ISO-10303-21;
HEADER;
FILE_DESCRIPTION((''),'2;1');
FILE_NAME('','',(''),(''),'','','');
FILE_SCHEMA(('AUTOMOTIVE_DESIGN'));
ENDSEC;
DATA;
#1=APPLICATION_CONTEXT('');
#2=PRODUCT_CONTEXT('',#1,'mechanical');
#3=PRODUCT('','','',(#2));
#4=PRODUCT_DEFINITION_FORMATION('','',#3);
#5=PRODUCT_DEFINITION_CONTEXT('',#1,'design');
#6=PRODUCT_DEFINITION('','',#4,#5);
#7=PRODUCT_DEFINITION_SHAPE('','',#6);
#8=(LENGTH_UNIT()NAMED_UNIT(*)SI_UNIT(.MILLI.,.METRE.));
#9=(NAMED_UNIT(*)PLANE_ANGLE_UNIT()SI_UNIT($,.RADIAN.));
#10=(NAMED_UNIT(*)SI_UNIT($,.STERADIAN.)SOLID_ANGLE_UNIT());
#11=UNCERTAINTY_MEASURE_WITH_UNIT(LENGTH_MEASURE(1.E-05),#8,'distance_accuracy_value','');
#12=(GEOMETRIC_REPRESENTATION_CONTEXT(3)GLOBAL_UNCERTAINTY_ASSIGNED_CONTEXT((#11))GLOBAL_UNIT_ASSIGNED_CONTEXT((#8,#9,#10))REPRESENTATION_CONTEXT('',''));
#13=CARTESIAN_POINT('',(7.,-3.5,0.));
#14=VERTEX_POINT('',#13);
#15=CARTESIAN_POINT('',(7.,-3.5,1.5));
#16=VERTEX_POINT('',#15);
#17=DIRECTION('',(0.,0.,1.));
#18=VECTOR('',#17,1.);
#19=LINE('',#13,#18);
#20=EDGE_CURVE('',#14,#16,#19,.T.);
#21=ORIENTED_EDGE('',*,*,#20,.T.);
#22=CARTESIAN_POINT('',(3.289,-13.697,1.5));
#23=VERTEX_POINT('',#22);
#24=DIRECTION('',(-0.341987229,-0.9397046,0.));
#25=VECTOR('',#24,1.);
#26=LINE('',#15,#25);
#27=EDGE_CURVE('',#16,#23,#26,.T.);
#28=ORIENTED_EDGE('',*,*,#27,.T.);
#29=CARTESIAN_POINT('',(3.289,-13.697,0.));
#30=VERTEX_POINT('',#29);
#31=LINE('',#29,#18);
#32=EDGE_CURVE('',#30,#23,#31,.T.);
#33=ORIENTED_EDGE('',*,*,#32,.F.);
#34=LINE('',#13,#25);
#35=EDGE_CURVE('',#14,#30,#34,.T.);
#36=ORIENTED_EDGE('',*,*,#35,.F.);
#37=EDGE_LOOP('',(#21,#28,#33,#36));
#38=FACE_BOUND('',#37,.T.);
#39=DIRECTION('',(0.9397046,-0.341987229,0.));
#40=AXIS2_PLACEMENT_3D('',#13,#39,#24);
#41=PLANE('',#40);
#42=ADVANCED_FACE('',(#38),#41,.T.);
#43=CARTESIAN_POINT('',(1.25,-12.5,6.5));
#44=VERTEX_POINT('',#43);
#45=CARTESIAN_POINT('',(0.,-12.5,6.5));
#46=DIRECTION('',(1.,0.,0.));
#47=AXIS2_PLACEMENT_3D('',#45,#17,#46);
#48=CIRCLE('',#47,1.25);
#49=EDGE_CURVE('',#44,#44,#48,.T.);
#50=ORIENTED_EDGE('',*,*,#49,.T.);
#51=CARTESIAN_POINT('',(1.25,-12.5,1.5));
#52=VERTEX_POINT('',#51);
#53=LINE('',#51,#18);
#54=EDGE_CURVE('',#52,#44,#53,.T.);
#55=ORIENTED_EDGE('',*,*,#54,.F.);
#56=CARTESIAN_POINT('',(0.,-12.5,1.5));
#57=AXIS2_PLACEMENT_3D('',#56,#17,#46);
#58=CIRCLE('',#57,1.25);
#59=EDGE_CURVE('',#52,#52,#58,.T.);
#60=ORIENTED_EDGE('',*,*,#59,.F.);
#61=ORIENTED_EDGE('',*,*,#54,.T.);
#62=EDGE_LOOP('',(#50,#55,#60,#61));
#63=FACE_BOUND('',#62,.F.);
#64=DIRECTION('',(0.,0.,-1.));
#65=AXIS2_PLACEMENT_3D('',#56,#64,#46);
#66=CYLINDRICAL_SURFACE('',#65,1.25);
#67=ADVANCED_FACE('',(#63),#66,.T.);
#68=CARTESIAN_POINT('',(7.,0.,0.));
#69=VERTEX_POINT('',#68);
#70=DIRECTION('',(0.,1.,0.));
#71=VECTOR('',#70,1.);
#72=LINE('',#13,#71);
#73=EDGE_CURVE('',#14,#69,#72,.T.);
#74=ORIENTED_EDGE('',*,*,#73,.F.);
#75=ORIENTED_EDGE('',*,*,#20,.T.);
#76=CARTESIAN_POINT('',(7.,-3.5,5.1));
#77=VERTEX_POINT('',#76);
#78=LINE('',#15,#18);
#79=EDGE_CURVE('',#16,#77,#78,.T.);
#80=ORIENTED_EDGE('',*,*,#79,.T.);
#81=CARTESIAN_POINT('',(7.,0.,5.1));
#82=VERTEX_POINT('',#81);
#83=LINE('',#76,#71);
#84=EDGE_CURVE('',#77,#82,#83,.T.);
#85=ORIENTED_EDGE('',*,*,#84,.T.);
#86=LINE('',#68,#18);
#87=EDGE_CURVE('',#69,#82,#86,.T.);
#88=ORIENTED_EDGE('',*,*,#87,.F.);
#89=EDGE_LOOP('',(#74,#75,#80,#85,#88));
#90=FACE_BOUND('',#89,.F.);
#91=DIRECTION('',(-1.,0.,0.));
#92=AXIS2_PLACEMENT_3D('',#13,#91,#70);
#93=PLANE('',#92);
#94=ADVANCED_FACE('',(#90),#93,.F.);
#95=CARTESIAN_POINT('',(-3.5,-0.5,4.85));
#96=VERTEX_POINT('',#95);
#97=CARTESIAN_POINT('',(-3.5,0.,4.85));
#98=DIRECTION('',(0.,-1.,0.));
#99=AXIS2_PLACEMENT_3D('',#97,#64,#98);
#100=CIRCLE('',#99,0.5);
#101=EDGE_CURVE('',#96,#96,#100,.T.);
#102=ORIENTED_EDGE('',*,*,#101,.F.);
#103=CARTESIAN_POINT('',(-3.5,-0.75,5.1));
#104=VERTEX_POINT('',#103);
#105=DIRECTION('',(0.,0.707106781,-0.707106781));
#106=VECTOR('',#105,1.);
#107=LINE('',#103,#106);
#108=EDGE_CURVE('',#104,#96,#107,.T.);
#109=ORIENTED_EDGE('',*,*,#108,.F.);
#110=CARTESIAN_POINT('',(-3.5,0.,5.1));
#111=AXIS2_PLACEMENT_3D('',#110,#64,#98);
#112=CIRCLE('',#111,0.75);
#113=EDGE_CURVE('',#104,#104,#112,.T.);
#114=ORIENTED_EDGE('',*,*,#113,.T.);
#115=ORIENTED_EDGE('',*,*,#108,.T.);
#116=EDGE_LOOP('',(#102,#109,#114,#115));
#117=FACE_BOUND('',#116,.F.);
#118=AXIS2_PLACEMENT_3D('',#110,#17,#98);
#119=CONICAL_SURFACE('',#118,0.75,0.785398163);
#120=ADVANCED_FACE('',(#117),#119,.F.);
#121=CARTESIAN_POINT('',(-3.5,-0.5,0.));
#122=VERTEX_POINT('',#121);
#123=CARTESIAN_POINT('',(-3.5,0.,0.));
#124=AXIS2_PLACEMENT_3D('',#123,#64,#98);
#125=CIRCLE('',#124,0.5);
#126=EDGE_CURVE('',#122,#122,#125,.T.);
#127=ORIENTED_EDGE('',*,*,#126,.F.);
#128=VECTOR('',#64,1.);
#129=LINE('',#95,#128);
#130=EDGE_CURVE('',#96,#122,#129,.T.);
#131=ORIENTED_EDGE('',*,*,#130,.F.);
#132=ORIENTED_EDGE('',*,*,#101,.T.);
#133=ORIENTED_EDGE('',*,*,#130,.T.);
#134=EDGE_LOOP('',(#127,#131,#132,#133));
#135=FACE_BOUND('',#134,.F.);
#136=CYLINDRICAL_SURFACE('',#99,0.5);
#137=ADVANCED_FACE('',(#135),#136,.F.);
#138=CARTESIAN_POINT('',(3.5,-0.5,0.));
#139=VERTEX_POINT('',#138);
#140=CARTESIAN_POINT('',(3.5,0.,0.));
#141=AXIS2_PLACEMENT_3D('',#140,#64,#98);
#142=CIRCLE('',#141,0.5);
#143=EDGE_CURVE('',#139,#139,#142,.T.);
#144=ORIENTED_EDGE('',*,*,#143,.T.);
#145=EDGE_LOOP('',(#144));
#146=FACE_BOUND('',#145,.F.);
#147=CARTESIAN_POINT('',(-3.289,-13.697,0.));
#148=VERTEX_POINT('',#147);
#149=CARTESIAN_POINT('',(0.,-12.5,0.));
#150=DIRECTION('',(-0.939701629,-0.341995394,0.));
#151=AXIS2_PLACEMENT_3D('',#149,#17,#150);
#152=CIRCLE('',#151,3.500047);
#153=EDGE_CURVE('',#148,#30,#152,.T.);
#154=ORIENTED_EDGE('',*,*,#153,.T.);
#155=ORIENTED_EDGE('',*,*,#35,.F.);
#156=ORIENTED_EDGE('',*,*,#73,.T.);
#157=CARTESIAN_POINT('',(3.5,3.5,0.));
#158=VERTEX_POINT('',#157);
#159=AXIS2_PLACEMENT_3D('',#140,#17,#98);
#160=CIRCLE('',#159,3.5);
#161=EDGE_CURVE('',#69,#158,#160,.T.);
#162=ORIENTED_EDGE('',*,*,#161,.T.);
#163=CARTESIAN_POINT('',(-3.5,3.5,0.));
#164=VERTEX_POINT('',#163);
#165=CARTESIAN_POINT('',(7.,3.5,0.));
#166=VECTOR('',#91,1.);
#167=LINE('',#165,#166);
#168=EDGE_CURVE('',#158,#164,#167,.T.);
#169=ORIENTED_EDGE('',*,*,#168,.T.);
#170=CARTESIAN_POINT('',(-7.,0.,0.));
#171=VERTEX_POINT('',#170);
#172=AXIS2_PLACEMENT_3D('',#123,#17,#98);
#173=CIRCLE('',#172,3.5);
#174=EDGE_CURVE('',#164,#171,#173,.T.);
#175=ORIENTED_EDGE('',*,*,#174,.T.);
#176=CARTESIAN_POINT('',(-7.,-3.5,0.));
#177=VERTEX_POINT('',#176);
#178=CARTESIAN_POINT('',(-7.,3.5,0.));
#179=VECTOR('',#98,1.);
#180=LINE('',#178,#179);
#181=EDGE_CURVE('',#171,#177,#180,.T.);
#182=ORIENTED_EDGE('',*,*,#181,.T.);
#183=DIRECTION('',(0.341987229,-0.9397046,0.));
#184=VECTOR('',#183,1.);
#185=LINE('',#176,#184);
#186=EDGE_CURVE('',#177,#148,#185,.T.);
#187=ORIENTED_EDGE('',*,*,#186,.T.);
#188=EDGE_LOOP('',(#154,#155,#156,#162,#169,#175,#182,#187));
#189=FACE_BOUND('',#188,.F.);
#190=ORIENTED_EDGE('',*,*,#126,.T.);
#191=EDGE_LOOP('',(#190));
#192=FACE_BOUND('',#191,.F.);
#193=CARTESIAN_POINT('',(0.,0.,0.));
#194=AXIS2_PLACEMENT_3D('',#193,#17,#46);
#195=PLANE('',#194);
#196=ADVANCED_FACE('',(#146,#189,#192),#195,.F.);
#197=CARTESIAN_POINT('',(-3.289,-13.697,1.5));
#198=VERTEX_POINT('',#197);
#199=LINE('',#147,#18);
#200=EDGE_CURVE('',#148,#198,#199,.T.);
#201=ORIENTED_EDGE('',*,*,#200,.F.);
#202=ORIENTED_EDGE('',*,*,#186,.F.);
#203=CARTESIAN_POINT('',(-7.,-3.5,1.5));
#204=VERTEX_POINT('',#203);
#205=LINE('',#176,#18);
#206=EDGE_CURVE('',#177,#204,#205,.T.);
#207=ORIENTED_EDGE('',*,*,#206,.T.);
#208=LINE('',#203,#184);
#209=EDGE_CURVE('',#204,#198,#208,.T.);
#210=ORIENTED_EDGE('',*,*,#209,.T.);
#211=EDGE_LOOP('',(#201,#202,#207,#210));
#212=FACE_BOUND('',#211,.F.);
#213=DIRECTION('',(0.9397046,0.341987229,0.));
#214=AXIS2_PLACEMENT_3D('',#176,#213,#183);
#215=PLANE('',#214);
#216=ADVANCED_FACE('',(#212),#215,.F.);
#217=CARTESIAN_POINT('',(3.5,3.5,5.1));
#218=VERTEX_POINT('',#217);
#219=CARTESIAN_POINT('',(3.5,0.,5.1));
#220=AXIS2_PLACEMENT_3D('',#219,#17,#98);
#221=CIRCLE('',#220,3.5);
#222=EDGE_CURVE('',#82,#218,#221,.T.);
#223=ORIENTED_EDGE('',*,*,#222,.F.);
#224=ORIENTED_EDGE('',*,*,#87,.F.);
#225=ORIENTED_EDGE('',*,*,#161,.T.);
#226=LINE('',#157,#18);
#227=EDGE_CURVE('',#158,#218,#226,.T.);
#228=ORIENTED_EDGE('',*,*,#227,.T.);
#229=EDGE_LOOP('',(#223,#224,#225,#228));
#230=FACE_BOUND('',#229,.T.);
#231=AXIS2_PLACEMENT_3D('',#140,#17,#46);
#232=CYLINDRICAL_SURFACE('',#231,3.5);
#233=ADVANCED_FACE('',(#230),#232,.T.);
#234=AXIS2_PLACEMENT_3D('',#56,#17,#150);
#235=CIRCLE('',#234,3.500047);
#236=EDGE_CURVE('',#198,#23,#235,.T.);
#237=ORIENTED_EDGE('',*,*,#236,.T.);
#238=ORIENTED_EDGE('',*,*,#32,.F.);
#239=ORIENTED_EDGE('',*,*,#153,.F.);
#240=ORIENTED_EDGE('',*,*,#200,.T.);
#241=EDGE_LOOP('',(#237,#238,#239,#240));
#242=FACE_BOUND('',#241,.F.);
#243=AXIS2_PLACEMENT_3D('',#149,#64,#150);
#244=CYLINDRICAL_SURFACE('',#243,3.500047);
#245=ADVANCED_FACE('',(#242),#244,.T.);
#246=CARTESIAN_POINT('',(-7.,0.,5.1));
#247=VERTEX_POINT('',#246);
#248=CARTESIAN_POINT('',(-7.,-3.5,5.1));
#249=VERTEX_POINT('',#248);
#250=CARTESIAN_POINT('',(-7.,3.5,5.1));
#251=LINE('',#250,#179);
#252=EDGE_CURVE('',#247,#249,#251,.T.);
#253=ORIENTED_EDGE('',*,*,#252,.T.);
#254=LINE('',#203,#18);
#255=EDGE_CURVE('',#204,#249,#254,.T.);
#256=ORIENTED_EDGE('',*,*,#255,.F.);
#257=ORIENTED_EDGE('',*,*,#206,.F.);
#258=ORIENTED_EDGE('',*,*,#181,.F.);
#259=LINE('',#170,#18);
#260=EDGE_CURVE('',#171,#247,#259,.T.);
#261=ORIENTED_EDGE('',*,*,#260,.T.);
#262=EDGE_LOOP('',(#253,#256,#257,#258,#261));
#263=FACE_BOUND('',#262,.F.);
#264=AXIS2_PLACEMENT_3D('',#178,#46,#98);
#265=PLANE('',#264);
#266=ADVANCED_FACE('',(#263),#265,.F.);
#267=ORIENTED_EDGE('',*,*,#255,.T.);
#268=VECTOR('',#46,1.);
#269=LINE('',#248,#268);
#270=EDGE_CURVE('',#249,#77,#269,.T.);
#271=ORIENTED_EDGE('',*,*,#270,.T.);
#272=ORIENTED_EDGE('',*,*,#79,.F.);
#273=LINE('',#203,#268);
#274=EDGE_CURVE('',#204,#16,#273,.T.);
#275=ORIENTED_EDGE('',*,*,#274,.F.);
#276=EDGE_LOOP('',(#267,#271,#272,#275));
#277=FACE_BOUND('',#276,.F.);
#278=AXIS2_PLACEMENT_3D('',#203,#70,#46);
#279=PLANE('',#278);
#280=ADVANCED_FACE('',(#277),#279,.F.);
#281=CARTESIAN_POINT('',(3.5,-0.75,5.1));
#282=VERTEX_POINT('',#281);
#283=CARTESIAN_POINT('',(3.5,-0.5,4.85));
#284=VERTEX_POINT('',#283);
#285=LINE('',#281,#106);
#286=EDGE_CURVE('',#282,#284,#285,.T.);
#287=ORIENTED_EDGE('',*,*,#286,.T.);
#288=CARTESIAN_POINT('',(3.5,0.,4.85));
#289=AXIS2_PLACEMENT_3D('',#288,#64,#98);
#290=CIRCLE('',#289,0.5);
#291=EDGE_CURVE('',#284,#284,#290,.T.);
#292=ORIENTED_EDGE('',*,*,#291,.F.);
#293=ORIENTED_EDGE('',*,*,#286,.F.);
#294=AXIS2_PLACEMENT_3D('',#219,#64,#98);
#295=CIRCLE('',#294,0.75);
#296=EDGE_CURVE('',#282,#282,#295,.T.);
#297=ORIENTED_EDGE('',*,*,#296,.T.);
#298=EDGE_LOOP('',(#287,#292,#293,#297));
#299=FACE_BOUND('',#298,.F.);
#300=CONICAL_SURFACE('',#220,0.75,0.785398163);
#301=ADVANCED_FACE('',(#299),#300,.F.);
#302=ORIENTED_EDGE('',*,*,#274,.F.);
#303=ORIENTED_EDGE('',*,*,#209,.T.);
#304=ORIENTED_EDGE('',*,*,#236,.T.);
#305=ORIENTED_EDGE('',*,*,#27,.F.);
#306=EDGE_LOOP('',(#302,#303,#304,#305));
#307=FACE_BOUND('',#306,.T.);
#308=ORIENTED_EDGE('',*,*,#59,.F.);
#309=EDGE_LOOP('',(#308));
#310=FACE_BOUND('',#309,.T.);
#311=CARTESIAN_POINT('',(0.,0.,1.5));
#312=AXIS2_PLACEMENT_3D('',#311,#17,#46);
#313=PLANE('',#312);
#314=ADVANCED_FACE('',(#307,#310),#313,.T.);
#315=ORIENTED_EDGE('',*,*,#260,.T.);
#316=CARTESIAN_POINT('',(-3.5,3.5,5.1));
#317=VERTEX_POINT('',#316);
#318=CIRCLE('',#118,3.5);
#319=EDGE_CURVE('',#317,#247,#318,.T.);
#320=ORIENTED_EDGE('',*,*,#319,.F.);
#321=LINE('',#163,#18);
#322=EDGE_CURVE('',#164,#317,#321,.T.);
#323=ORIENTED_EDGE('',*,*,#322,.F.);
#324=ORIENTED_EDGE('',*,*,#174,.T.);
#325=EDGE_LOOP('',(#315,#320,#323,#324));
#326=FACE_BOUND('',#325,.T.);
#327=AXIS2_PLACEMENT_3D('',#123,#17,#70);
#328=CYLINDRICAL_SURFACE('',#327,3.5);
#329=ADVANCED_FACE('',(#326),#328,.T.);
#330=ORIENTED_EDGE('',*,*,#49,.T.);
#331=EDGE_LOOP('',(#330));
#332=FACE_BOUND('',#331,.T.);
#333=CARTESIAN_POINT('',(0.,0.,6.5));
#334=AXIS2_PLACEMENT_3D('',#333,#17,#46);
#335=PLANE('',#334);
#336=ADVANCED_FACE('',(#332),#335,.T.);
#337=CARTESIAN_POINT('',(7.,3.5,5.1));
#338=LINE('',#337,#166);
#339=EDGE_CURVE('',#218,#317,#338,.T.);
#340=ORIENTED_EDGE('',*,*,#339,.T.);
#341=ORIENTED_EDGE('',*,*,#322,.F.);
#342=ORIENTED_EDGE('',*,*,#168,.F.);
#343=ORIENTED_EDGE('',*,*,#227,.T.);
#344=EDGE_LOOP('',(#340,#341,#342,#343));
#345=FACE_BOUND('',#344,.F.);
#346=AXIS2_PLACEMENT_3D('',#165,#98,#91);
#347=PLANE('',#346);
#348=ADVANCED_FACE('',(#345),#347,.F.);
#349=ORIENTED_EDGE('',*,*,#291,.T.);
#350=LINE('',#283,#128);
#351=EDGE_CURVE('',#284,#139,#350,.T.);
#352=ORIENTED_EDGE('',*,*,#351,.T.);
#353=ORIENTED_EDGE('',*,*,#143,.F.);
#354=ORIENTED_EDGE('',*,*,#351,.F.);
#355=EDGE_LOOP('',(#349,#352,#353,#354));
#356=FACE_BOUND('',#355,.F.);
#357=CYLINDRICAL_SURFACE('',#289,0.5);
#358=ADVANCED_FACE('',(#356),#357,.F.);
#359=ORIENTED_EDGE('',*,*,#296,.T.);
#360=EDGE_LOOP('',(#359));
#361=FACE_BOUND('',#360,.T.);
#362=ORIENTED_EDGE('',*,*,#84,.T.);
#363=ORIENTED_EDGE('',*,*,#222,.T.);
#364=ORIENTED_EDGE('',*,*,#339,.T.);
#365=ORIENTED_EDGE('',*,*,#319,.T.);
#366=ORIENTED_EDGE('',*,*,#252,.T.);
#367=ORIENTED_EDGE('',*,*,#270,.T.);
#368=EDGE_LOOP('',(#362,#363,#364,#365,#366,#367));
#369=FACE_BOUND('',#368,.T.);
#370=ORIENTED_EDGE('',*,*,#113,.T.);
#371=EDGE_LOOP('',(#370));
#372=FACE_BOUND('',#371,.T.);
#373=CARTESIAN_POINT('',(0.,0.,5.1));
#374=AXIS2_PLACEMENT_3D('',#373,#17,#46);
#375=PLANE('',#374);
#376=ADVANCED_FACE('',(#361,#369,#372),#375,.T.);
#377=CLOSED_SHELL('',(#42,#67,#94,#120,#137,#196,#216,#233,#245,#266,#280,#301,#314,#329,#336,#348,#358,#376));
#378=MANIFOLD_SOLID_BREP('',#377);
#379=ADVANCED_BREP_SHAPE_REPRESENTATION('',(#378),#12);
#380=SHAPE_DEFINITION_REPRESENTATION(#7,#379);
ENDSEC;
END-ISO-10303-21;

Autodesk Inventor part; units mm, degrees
ref_plane "YZ Plane" through (0, 0, 0) normal (1, 0, 0) x (0, 1, 0)
ref_plane "XZ Plane" through (0, 0, 0) normal (0, 1, 0) x (-1, 0, 0)
ref_plane "XY Plane" through (0, 0, 0) normal (0, 0, 1) x (1, 0, 0)
sketch "Эскиз1" plane through (0, 0, 0) normal (0, 0, 1) x (1, 0, 0)
  line L0 (-7, -3.5) -> (7, -3.5) construction
  line L1 (7, -3.5) -> (7, 3.5)
  line L2 (7, 3.5) -> (-7, 3.5)
  line L3 (-7, 3.5) -> (-7, -3.5)
  line L4 (-7, -3.5) -> (7, 3.5) construction
  line L5 (7, -3.5) -> (-7, 3.5) construction
  line L6 (0, -3.5) -> (0, -12.5) construction
  line L7 (-7, -3.5) -> (-3.289, -13.697)
  line L8 (7, -3.5) -> (3.289, -13.697)
  arc A0 (-3.289, -13.697) -> (3.289, -13.697) centre (0, -12.5) ccw
  point P0 (0, 0)
  point P1 (0, 0)
  point P2 (0, 0)
  point P3 (0, 0)
  dimension "d0" = 14
  dimension "d1" = 7
  dimension "d4" = 9
  dimension "d5" = 3.5
extrude "Выдавливание1" add sketch "Эскиз1" along normal blind 1.5
sketch "Эскиз4" plane through (0, 0, 1.5) normal (0, 0, 1) x (1, 0, 0)
  line L0 (7, 3.5) -> (-7, 3.5) projected
  line L1 (7, -3.5) -> (7, 3.5) projected
  line L2 (-7, 3.5) -> (-7, -3.5) projected
  line L3 (-7, -3.5) -> (7, -3.5)
  point P0 (0, 0)
extrude "Выдавливание6" add sketch "Эскиз4" along normal blind 3.6
sketch "Эскиз2" plane through (0, 0, 1.5) normal (0, 0, 1) x (1, 0, 0)
  arc A0 (-3.289, -13.697) -> (3.289, -13.697) centre (0, -12.5) ccw construction
  circle A1 centre (0, -12.5) radius 1.25
  point P0 (0, 0)
  dimension "d8" = 2.5
extrude "Выдавливание9" add sketch "Эскиз2" along normal blind 5
fillet "Сопряжение1" radius 3.5 2 edges at (7, 3.5, 2.55) (-7, 3.5, 2.55)
sketch "Эскиз5" plane through (0, 0, 5.1) normal (0, 0, 1) x (1, 0, 0)
  circle A0 centre (0, -9.5) radius 1.5 construction
  line L0 (7, -3.5) -> (-7, -3.5) construction
  line L1 (0, -3.5) -> (0, 3.5) construction
  line L2 (-7, 3.5) -> (7, 3.5) construction
  circle A1 centre (3.5, 0) radius 0.5
  line L3 (3.5, 3.5) -> (3.5, 0) construction
  line L4 (3.5, 0) -> (0, 0) construction
  circle A2 centre (-3.5, 0) radius 0.5
  dimension "d34" = 1
hole "Отверстие1" at (-3.5, 0, 5.1) at (3.5, 0, 5.1) direction (0, 0, -1) diameter 1 end through all countersink diameter 1.5 countersink angle 90
properties part number "переходник"
